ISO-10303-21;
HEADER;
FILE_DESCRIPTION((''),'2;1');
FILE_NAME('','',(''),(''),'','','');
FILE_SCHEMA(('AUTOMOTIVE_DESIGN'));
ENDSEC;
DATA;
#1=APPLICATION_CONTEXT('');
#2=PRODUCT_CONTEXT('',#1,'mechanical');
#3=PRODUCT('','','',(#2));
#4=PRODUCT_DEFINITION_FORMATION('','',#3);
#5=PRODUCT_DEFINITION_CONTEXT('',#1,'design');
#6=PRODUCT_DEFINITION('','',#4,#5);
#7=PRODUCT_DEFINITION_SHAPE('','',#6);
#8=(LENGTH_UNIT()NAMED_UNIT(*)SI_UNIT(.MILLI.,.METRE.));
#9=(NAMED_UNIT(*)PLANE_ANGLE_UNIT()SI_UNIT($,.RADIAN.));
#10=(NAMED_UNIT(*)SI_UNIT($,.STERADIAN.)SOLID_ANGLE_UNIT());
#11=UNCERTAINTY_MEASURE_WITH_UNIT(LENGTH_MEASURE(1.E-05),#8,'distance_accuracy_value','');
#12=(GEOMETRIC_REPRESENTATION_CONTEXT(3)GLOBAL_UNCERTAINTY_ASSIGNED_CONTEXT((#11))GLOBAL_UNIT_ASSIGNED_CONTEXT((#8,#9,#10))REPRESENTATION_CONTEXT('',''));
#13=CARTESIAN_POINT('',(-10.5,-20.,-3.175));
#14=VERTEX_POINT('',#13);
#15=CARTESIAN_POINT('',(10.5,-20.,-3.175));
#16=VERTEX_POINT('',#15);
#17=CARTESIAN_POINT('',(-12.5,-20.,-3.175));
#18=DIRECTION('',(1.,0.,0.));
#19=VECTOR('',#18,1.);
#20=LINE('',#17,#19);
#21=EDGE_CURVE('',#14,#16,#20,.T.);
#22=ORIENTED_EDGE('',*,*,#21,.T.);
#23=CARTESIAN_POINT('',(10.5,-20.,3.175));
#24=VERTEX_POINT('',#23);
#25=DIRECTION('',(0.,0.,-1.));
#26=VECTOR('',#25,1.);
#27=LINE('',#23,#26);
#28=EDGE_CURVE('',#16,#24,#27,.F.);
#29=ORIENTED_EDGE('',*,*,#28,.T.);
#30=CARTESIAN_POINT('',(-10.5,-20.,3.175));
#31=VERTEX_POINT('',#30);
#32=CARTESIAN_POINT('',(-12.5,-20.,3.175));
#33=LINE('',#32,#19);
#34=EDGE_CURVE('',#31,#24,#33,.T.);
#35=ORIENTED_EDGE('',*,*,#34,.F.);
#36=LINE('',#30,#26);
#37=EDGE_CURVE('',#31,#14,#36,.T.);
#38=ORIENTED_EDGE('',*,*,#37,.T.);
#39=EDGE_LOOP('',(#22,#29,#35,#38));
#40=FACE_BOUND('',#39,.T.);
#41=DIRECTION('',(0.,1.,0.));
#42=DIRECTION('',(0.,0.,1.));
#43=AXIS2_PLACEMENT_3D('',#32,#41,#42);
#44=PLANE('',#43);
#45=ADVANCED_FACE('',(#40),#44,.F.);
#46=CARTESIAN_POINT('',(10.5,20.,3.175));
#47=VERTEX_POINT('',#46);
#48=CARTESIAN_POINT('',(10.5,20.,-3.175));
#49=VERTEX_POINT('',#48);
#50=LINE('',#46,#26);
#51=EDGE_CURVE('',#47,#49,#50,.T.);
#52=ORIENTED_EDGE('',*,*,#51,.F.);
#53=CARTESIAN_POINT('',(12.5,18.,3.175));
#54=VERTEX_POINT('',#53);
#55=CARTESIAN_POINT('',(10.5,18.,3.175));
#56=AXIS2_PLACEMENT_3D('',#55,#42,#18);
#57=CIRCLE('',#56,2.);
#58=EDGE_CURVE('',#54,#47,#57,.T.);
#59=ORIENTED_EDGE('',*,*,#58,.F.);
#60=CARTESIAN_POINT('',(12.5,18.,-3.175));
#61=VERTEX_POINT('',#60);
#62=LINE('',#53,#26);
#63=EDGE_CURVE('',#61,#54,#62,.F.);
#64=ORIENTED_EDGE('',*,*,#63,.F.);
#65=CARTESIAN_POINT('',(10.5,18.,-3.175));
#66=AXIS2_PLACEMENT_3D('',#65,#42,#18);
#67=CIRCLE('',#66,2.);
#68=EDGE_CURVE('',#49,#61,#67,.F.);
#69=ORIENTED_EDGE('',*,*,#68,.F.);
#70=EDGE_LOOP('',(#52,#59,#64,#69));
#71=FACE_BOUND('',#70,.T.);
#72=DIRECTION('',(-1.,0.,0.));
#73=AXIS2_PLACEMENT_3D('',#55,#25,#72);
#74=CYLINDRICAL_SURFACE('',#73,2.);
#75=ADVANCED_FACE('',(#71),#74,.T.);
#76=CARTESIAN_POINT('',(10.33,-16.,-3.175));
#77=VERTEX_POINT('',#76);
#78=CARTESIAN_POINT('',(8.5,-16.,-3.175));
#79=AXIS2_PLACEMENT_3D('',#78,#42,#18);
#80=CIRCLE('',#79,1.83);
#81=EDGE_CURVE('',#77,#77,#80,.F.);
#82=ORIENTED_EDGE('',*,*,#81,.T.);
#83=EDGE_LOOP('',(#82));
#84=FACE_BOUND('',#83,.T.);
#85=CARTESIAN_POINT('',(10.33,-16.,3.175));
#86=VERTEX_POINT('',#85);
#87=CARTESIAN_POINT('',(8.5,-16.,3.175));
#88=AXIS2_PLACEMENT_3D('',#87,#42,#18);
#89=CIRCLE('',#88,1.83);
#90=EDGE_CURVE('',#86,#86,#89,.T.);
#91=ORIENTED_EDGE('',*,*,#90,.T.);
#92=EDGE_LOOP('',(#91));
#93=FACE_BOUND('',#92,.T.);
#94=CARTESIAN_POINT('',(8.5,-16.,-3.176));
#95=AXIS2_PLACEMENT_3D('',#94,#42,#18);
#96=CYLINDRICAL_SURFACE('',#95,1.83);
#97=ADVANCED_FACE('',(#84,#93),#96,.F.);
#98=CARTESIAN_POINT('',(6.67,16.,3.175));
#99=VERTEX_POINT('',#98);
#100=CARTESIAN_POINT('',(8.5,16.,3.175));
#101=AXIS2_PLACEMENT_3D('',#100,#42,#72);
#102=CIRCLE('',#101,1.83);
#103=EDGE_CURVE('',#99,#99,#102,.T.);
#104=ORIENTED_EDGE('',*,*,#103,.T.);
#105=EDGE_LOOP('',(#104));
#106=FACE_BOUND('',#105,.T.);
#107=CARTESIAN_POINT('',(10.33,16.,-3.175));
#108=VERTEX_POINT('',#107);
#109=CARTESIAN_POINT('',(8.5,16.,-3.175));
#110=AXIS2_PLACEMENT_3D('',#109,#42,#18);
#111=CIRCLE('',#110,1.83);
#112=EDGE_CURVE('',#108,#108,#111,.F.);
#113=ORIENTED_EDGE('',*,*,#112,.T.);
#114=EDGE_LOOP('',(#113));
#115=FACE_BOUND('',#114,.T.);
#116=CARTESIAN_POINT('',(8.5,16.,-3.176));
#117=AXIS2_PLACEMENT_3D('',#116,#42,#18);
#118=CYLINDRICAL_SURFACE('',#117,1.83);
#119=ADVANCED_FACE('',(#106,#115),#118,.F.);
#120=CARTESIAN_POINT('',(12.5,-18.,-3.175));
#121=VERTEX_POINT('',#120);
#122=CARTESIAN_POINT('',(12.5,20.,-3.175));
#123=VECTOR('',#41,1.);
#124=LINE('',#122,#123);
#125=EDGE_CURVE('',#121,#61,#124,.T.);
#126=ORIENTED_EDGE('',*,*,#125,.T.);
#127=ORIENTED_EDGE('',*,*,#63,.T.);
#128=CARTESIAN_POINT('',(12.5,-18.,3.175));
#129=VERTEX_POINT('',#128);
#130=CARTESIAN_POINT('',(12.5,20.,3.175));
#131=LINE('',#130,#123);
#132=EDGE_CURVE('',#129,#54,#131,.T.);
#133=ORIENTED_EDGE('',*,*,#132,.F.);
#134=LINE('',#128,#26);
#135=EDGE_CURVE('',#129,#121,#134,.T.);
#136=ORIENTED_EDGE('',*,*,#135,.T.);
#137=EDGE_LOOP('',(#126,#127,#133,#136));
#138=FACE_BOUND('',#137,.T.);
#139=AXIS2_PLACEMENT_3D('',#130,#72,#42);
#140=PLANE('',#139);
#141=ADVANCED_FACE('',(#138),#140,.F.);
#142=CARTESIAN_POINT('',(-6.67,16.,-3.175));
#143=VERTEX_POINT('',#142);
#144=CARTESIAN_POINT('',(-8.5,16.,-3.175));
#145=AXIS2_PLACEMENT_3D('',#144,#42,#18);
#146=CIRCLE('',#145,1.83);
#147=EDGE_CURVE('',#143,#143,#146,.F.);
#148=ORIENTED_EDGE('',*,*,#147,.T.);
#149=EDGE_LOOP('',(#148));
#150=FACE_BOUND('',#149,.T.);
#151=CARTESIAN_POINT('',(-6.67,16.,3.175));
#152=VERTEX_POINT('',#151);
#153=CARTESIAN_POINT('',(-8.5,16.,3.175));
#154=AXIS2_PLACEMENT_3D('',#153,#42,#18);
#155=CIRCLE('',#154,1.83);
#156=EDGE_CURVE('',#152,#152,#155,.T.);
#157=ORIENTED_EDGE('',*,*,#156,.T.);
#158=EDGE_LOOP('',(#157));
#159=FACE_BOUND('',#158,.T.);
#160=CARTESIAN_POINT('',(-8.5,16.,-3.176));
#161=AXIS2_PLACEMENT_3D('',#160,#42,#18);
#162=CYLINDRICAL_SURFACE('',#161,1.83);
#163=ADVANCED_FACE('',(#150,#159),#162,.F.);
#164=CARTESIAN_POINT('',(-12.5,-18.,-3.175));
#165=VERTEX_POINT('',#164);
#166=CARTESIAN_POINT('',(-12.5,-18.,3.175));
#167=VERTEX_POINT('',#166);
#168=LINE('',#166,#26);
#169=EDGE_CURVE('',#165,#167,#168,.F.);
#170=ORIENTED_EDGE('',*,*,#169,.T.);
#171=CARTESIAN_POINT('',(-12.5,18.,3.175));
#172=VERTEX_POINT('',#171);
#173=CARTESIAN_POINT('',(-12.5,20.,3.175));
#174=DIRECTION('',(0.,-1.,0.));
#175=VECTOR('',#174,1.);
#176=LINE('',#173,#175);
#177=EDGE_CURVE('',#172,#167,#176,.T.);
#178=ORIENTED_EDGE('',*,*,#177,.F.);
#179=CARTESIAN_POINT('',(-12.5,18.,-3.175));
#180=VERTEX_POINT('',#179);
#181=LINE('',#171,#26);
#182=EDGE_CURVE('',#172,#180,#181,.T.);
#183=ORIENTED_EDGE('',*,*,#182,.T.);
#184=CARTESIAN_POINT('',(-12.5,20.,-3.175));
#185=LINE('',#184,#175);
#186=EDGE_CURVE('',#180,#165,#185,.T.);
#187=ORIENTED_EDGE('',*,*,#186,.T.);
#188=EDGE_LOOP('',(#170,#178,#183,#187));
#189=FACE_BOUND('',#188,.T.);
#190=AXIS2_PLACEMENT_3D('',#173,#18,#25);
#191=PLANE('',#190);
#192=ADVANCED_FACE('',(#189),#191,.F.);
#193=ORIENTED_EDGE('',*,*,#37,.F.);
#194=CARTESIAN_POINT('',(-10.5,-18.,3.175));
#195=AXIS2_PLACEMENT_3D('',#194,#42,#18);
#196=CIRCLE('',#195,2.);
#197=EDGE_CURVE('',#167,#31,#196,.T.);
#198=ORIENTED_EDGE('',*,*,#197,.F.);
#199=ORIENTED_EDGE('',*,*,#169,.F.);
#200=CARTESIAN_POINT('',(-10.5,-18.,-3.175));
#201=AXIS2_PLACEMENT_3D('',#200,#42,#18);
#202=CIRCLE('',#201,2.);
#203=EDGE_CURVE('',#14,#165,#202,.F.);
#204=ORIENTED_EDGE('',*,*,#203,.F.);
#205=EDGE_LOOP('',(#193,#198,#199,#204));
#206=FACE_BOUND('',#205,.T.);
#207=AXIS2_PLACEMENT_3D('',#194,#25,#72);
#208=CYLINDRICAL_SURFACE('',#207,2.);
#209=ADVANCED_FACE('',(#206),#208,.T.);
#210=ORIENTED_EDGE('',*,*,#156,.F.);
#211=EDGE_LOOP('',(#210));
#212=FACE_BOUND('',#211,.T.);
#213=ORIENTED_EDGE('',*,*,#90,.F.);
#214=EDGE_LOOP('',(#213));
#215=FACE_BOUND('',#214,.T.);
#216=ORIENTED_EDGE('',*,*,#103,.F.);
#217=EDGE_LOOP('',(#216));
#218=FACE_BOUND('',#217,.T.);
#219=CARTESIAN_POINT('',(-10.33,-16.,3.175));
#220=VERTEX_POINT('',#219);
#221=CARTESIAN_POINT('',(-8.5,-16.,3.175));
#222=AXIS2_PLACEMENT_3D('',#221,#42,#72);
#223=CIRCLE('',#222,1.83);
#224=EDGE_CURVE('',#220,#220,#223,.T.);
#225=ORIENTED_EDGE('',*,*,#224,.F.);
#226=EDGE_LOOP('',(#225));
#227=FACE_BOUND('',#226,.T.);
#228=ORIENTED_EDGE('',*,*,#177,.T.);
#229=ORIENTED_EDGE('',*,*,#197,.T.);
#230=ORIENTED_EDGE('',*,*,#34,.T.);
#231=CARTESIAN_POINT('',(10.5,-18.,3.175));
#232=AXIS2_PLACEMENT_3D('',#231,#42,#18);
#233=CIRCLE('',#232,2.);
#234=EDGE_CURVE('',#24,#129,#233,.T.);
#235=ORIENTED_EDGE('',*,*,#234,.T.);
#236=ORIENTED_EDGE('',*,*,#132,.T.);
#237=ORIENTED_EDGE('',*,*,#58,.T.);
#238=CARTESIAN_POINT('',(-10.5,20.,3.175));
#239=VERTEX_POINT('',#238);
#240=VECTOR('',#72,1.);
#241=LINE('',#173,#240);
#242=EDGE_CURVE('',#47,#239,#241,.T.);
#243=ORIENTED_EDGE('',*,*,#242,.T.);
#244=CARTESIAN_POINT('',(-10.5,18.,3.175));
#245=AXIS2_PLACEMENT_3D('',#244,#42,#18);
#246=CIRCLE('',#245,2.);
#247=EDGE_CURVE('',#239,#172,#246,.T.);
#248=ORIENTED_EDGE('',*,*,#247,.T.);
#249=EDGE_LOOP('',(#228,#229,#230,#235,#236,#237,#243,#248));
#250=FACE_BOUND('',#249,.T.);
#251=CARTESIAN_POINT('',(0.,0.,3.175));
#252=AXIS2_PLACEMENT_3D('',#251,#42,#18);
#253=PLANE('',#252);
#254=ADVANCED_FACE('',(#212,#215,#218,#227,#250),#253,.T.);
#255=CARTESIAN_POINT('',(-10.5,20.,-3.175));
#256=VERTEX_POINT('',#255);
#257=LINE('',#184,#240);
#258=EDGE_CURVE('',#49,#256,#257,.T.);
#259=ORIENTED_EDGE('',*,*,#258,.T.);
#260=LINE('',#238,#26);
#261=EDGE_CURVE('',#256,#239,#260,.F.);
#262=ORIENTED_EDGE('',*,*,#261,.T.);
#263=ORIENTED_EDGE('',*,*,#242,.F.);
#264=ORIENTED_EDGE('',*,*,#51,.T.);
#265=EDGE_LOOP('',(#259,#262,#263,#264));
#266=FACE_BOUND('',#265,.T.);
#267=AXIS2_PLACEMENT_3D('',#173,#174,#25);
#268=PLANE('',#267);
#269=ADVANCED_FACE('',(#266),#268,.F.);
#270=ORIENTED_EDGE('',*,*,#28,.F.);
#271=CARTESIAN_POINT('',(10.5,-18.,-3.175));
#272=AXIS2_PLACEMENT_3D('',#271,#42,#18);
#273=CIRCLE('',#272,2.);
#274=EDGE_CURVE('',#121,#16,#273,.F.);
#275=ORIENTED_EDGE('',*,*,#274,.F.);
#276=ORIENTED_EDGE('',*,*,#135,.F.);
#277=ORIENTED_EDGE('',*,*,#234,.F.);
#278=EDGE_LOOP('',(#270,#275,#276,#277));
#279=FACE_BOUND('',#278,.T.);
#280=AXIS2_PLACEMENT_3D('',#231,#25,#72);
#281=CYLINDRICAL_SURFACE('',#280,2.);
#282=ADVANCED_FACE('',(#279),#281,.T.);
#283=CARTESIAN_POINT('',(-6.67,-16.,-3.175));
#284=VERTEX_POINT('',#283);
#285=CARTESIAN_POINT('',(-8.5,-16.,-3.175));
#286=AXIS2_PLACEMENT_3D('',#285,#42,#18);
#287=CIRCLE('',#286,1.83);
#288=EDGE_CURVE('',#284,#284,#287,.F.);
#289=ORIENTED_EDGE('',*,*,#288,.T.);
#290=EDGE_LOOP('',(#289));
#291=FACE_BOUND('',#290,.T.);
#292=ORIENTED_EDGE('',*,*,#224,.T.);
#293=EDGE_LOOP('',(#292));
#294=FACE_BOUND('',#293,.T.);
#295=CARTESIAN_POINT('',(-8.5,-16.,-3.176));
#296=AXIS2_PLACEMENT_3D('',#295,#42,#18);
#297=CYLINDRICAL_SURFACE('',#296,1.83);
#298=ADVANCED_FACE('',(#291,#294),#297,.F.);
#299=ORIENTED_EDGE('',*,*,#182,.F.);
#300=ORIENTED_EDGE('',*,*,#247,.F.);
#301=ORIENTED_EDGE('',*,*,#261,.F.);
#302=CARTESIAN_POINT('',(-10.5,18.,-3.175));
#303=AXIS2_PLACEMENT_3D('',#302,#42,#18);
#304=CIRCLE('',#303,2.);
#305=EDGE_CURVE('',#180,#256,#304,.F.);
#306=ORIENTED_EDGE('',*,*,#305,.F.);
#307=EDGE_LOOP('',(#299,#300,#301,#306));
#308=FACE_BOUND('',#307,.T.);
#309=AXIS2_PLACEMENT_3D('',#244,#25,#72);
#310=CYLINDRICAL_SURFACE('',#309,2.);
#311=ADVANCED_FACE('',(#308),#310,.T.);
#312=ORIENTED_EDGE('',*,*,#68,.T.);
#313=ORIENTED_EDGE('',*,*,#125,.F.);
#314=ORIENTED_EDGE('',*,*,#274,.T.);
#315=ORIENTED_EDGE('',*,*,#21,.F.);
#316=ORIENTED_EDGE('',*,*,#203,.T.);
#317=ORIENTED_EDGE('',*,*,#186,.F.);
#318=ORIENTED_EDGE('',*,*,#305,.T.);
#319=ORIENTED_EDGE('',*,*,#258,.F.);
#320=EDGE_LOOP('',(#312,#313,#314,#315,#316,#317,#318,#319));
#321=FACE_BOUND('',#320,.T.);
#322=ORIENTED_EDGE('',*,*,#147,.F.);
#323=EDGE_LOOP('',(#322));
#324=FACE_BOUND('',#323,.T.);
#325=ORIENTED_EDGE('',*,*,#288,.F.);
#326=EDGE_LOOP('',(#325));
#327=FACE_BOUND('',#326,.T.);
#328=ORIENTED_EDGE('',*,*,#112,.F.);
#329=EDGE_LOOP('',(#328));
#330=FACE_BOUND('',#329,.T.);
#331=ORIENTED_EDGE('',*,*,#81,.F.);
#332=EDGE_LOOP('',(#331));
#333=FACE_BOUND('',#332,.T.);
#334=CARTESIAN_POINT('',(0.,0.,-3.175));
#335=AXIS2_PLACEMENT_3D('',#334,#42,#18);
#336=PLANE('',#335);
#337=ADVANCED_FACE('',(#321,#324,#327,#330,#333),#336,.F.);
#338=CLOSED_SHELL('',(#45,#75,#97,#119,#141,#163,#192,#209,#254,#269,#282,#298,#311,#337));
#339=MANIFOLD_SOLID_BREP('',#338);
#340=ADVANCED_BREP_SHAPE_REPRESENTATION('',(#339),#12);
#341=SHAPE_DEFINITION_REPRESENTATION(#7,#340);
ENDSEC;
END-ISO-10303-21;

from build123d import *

# Parameters (mm, degrees)
ESQUISSE1_W             = 25
ESQUISSE1_H             = 40
BOSS_EXTRU_1_DEPTH      = 3.175
ENL_V_MAT_EXTRU_1_REACH = 26.425
ESQUISSE2_R             = 1.83
CONG_1_R                = 2


with BuildPart() as part:
    # Esquisse1 → Boss.-Extru.1 (new, symmetric)
    with BuildSketch(Plane.XY):
        Rectangle(ESQUISSE1_W, ESQUISSE1_H)
    extrude(amount=BOSS_EXTRU_1_DEPTH, both=True)

    # Esquisse2 → Enlèv. mat.-Extru.1 (cut, up to next)
    with BuildSketch(Plane.XY.offset(3.175), mode=Mode.PRIVATE) as enl_v_mat_extru_1_sk1:
        with Locations((-8.5, 16)):
            Circle(ESQUISSE2_R)
    enl_v_mat_extru_1_tool1 = extrude(enl_v_mat_extru_1_sk1.sketch, amount=-ENL_V_MAT_EXTRU_1_REACH, mode=Mode.PRIVATE) & part.part
    # Esquisse2 → Enlèv. mat.-Extru.1 (cut, up to next)
    with BuildSketch(Plane.XY.offset(3.175), mode=Mode.PRIVATE) as enl_v_mat_extru_1_sk2:
        with Locations((8.5, 16)):
            Circle(ESQUISSE2_R)
    enl_v_mat_extru_1_tool2 = extrude(enl_v_mat_extru_1_sk2.sketch, amount=-ENL_V_MAT_EXTRU_1_REACH, mode=Mode.PRIVATE) & part.part
    # Esquisse2 → Enlèv. mat.-Extru.1 (cut, up to next)
    with BuildSketch(Plane.XY.offset(3.175), mode=Mode.PRIVATE) as enl_v_mat_extru_1_sk3:
        with Locations((8.5, -16)):
            Circle(ESQUISSE2_R)
    enl_v_mat_extru_1_tool3 = extrude(enl_v_mat_extru_1_sk3.sketch, amount=-ENL_V_MAT_EXTRU_1_REACH, mode=Mode.PRIVATE) & part.part
    # Esquisse2 → Enlèv. mat.-Extru.1 (cut, up to next)
    with BuildSketch(Plane.XY.offset(3.175), mode=Mode.PRIVATE) as enl_v_mat_extru_1_sk4:
        with Locations((-8.5, -16)):
            Circle(ESQUISSE2_R)
    enl_v_mat_extru_1_tool4 = extrude(enl_v_mat_extru_1_sk4.sketch, amount=-ENL_V_MAT_EXTRU_1_REACH, mode=Mode.PRIVATE) & part.part
    add(enl_v_mat_extru_1_tool1.solids().sort_by_distance((-8.5, 16, 3.175))[0], mode=Mode.SUBTRACT)
    add(enl_v_mat_extru_1_tool2.solids().sort_by_distance((8.5, 16, 3.175))[0], mode=Mode.SUBTRACT)
    add(enl_v_mat_extru_1_tool3.solids().sort_by_distance((8.5, -16, 3.175))[0], mode=Mode.SUBTRACT)
    add(enl_v_mat_extru_1_tool4.solids().sort_by_distance((-8.5, -16, 3.175))[0], mode=Mode.SUBTRACT)

    # Congé1
    cong_1_edges = [part.edges().sort_by_distance(p)[0] for p in [
        (-12.5, 20, 0),
        (12.5, 20, 0),
        (12.5, -20, 0),
        (-12.5, -20, 0),
    ]]
    fillet(cong_1_edges, radius=CONG_1_R)


solid = part.part
